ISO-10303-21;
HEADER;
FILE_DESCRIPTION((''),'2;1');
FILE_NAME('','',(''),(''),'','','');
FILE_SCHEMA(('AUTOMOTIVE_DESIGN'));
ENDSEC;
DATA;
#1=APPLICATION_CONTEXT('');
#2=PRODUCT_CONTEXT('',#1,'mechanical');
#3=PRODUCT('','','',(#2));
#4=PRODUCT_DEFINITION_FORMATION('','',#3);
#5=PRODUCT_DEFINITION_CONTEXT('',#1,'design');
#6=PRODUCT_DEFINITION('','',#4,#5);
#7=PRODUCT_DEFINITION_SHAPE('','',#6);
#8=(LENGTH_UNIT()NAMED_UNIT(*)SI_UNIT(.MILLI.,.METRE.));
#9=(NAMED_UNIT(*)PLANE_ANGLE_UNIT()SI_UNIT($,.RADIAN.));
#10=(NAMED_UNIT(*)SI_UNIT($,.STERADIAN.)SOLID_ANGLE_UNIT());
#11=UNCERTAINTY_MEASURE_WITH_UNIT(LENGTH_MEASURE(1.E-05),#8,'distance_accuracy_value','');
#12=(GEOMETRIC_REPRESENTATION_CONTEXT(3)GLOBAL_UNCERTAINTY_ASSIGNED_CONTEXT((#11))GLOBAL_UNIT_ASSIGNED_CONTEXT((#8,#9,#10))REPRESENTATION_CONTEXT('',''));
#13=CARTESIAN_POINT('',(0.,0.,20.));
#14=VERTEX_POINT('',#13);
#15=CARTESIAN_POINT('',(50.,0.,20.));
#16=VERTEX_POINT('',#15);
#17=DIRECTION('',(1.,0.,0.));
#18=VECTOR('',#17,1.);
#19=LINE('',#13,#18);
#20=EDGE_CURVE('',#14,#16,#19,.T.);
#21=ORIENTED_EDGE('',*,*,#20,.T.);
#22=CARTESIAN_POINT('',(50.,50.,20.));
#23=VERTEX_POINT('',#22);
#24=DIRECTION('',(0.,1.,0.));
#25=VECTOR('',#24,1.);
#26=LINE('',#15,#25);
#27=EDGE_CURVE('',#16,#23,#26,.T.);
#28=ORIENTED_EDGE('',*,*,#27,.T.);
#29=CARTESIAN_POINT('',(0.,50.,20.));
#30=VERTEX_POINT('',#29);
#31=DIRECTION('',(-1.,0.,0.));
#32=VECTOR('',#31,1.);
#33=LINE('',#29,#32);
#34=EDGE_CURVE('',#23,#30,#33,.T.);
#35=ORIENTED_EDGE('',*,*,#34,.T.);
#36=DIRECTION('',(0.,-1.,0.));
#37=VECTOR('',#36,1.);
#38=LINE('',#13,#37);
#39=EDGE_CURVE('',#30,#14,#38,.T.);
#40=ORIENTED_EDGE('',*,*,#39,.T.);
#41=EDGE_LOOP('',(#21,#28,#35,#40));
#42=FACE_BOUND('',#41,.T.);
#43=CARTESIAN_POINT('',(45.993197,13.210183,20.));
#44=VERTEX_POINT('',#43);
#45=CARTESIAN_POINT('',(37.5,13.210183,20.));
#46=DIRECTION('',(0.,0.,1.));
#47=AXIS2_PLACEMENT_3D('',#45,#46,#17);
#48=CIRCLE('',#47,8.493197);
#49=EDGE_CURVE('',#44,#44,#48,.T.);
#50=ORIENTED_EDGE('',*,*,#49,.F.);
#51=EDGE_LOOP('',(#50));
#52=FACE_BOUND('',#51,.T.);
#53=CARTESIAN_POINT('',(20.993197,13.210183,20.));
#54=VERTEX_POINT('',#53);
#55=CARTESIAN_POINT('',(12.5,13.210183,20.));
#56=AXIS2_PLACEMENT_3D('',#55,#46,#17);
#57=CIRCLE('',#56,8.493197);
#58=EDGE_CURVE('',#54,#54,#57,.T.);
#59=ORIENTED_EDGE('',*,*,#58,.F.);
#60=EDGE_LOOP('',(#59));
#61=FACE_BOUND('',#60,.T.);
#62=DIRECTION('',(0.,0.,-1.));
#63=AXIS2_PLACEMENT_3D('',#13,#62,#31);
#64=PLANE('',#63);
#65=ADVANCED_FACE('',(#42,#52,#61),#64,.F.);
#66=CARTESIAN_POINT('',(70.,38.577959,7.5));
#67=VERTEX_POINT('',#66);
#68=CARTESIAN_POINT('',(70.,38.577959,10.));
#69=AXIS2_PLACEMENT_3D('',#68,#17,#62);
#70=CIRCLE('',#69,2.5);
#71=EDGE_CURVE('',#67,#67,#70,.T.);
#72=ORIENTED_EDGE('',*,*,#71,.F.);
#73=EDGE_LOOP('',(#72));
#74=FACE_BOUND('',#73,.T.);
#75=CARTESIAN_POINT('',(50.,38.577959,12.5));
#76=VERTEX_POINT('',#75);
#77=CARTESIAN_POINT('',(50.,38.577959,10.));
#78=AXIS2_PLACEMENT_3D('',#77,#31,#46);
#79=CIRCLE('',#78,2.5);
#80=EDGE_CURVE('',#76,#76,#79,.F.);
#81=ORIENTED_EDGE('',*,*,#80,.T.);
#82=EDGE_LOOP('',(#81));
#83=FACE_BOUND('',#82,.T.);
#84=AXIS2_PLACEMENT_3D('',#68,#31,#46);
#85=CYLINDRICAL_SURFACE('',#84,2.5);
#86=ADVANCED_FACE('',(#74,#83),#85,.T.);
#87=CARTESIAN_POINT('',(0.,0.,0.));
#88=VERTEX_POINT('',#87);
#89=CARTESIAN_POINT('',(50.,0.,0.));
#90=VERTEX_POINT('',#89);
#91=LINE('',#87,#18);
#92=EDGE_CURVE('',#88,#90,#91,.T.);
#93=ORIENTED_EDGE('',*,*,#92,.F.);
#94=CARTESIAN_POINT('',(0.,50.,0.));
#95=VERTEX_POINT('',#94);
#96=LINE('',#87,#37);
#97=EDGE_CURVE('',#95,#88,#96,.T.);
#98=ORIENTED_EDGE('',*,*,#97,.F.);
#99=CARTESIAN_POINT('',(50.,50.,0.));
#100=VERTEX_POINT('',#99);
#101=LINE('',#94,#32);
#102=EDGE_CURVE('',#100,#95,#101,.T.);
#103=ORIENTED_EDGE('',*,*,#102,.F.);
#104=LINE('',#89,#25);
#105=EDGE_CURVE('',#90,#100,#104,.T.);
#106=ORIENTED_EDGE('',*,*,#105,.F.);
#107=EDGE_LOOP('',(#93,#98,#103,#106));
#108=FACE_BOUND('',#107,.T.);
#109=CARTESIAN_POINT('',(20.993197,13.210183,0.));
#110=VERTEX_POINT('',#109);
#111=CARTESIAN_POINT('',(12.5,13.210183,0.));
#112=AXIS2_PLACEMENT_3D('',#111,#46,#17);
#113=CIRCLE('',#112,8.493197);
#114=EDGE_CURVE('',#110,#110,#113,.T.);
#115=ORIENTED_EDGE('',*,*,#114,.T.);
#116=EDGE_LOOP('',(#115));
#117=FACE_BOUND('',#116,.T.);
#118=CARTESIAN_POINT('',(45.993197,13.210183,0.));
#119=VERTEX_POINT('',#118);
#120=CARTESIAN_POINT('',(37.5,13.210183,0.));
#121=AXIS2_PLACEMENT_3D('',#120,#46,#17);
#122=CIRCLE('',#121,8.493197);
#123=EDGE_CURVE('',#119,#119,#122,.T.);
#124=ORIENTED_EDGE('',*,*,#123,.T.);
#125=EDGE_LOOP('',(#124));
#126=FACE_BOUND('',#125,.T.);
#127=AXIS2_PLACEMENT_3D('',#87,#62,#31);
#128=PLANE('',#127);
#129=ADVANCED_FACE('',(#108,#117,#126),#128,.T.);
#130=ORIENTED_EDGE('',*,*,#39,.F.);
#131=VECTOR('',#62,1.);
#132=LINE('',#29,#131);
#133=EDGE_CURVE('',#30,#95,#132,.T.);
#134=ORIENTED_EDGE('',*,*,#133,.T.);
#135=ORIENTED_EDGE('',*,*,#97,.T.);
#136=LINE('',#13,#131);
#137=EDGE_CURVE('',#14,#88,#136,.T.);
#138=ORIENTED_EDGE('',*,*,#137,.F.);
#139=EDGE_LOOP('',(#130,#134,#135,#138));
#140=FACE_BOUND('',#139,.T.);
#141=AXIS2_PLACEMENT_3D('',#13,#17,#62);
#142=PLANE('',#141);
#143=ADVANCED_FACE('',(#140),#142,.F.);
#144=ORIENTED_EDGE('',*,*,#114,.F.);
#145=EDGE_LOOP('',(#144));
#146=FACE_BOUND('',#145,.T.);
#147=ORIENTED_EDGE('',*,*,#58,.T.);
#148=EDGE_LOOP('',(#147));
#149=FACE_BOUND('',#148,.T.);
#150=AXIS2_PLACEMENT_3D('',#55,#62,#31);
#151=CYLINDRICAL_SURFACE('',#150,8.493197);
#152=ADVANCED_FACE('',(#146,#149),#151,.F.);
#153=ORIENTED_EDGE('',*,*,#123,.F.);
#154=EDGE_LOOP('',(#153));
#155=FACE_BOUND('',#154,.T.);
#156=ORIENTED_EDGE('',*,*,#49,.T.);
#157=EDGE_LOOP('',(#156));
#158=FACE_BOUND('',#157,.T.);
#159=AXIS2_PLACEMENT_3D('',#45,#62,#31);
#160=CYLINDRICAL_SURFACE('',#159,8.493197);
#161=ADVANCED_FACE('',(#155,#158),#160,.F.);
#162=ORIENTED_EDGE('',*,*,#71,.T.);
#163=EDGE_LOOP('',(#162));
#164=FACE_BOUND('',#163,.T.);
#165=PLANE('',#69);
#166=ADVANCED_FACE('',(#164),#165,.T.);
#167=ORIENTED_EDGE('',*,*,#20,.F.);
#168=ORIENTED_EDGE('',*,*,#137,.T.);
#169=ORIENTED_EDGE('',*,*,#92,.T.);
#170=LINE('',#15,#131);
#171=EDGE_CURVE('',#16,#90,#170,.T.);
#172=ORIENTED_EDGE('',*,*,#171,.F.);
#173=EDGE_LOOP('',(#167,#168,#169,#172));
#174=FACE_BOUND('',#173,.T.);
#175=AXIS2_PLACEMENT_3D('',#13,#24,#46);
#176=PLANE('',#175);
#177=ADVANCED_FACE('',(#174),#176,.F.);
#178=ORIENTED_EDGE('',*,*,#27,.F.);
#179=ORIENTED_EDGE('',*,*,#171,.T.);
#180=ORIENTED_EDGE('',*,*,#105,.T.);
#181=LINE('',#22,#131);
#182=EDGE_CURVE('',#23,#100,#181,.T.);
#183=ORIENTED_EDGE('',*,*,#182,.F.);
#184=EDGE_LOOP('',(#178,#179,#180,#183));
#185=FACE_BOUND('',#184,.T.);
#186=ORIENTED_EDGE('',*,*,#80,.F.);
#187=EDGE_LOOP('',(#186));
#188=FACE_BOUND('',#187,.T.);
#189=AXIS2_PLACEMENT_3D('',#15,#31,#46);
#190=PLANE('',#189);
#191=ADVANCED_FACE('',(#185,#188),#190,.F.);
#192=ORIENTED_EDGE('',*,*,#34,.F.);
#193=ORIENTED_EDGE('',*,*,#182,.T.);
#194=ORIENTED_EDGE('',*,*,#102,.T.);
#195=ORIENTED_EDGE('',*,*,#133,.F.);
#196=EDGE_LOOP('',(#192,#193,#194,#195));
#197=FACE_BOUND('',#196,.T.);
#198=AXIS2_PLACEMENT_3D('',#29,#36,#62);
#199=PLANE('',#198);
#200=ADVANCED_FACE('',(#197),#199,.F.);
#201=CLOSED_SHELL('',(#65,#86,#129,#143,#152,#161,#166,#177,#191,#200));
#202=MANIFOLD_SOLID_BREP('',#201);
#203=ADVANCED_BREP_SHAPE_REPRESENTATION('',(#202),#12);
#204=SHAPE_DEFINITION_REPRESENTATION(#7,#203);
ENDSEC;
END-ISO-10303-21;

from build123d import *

# Parameters (mm, degrees)
SKETCH7_W           = 50
SKETCH7_H           = 50
SKETCH7_R           = 8.493197323
BOSS_EXTRUDE4_DEPTH = 20
SKETCH8_R           = 2.5
BOSS_EXTRUDE5_DEPTH = 20


with BuildPart() as part:
    # Sketch7 → Boss-Extrude4 (new body)
    with BuildSketch(Plane.XY):
        with Locations((25, 25)):
            Rectangle(SKETCH7_W, SKETCH7_H)
        with Locations((12.5, 13.210183113)):
            Circle(SKETCH7_R, mode=Mode.SUBTRACT)
        with Locations((37.5, 13.210183113)):
            Circle(SKETCH7_R, mode=Mode.SUBTRACT)
    extrude(amount=BOSS_EXTRUDE4_DEPTH)

    # Sketch8 → Boss-Extrude5 (add)
    with BuildSketch(Plane(origin=(50, 0, 0), x_dir=(0, 0, -1), z_dir=(1, 0, 0))):
        with Locations(Location((-10, 38.577958507, 0), (0, 0, 180))):
            Circle(SKETCH8_R)
    extrude(amount=BOSS_EXTRUDE5_DEPTH)


solid = part.part
